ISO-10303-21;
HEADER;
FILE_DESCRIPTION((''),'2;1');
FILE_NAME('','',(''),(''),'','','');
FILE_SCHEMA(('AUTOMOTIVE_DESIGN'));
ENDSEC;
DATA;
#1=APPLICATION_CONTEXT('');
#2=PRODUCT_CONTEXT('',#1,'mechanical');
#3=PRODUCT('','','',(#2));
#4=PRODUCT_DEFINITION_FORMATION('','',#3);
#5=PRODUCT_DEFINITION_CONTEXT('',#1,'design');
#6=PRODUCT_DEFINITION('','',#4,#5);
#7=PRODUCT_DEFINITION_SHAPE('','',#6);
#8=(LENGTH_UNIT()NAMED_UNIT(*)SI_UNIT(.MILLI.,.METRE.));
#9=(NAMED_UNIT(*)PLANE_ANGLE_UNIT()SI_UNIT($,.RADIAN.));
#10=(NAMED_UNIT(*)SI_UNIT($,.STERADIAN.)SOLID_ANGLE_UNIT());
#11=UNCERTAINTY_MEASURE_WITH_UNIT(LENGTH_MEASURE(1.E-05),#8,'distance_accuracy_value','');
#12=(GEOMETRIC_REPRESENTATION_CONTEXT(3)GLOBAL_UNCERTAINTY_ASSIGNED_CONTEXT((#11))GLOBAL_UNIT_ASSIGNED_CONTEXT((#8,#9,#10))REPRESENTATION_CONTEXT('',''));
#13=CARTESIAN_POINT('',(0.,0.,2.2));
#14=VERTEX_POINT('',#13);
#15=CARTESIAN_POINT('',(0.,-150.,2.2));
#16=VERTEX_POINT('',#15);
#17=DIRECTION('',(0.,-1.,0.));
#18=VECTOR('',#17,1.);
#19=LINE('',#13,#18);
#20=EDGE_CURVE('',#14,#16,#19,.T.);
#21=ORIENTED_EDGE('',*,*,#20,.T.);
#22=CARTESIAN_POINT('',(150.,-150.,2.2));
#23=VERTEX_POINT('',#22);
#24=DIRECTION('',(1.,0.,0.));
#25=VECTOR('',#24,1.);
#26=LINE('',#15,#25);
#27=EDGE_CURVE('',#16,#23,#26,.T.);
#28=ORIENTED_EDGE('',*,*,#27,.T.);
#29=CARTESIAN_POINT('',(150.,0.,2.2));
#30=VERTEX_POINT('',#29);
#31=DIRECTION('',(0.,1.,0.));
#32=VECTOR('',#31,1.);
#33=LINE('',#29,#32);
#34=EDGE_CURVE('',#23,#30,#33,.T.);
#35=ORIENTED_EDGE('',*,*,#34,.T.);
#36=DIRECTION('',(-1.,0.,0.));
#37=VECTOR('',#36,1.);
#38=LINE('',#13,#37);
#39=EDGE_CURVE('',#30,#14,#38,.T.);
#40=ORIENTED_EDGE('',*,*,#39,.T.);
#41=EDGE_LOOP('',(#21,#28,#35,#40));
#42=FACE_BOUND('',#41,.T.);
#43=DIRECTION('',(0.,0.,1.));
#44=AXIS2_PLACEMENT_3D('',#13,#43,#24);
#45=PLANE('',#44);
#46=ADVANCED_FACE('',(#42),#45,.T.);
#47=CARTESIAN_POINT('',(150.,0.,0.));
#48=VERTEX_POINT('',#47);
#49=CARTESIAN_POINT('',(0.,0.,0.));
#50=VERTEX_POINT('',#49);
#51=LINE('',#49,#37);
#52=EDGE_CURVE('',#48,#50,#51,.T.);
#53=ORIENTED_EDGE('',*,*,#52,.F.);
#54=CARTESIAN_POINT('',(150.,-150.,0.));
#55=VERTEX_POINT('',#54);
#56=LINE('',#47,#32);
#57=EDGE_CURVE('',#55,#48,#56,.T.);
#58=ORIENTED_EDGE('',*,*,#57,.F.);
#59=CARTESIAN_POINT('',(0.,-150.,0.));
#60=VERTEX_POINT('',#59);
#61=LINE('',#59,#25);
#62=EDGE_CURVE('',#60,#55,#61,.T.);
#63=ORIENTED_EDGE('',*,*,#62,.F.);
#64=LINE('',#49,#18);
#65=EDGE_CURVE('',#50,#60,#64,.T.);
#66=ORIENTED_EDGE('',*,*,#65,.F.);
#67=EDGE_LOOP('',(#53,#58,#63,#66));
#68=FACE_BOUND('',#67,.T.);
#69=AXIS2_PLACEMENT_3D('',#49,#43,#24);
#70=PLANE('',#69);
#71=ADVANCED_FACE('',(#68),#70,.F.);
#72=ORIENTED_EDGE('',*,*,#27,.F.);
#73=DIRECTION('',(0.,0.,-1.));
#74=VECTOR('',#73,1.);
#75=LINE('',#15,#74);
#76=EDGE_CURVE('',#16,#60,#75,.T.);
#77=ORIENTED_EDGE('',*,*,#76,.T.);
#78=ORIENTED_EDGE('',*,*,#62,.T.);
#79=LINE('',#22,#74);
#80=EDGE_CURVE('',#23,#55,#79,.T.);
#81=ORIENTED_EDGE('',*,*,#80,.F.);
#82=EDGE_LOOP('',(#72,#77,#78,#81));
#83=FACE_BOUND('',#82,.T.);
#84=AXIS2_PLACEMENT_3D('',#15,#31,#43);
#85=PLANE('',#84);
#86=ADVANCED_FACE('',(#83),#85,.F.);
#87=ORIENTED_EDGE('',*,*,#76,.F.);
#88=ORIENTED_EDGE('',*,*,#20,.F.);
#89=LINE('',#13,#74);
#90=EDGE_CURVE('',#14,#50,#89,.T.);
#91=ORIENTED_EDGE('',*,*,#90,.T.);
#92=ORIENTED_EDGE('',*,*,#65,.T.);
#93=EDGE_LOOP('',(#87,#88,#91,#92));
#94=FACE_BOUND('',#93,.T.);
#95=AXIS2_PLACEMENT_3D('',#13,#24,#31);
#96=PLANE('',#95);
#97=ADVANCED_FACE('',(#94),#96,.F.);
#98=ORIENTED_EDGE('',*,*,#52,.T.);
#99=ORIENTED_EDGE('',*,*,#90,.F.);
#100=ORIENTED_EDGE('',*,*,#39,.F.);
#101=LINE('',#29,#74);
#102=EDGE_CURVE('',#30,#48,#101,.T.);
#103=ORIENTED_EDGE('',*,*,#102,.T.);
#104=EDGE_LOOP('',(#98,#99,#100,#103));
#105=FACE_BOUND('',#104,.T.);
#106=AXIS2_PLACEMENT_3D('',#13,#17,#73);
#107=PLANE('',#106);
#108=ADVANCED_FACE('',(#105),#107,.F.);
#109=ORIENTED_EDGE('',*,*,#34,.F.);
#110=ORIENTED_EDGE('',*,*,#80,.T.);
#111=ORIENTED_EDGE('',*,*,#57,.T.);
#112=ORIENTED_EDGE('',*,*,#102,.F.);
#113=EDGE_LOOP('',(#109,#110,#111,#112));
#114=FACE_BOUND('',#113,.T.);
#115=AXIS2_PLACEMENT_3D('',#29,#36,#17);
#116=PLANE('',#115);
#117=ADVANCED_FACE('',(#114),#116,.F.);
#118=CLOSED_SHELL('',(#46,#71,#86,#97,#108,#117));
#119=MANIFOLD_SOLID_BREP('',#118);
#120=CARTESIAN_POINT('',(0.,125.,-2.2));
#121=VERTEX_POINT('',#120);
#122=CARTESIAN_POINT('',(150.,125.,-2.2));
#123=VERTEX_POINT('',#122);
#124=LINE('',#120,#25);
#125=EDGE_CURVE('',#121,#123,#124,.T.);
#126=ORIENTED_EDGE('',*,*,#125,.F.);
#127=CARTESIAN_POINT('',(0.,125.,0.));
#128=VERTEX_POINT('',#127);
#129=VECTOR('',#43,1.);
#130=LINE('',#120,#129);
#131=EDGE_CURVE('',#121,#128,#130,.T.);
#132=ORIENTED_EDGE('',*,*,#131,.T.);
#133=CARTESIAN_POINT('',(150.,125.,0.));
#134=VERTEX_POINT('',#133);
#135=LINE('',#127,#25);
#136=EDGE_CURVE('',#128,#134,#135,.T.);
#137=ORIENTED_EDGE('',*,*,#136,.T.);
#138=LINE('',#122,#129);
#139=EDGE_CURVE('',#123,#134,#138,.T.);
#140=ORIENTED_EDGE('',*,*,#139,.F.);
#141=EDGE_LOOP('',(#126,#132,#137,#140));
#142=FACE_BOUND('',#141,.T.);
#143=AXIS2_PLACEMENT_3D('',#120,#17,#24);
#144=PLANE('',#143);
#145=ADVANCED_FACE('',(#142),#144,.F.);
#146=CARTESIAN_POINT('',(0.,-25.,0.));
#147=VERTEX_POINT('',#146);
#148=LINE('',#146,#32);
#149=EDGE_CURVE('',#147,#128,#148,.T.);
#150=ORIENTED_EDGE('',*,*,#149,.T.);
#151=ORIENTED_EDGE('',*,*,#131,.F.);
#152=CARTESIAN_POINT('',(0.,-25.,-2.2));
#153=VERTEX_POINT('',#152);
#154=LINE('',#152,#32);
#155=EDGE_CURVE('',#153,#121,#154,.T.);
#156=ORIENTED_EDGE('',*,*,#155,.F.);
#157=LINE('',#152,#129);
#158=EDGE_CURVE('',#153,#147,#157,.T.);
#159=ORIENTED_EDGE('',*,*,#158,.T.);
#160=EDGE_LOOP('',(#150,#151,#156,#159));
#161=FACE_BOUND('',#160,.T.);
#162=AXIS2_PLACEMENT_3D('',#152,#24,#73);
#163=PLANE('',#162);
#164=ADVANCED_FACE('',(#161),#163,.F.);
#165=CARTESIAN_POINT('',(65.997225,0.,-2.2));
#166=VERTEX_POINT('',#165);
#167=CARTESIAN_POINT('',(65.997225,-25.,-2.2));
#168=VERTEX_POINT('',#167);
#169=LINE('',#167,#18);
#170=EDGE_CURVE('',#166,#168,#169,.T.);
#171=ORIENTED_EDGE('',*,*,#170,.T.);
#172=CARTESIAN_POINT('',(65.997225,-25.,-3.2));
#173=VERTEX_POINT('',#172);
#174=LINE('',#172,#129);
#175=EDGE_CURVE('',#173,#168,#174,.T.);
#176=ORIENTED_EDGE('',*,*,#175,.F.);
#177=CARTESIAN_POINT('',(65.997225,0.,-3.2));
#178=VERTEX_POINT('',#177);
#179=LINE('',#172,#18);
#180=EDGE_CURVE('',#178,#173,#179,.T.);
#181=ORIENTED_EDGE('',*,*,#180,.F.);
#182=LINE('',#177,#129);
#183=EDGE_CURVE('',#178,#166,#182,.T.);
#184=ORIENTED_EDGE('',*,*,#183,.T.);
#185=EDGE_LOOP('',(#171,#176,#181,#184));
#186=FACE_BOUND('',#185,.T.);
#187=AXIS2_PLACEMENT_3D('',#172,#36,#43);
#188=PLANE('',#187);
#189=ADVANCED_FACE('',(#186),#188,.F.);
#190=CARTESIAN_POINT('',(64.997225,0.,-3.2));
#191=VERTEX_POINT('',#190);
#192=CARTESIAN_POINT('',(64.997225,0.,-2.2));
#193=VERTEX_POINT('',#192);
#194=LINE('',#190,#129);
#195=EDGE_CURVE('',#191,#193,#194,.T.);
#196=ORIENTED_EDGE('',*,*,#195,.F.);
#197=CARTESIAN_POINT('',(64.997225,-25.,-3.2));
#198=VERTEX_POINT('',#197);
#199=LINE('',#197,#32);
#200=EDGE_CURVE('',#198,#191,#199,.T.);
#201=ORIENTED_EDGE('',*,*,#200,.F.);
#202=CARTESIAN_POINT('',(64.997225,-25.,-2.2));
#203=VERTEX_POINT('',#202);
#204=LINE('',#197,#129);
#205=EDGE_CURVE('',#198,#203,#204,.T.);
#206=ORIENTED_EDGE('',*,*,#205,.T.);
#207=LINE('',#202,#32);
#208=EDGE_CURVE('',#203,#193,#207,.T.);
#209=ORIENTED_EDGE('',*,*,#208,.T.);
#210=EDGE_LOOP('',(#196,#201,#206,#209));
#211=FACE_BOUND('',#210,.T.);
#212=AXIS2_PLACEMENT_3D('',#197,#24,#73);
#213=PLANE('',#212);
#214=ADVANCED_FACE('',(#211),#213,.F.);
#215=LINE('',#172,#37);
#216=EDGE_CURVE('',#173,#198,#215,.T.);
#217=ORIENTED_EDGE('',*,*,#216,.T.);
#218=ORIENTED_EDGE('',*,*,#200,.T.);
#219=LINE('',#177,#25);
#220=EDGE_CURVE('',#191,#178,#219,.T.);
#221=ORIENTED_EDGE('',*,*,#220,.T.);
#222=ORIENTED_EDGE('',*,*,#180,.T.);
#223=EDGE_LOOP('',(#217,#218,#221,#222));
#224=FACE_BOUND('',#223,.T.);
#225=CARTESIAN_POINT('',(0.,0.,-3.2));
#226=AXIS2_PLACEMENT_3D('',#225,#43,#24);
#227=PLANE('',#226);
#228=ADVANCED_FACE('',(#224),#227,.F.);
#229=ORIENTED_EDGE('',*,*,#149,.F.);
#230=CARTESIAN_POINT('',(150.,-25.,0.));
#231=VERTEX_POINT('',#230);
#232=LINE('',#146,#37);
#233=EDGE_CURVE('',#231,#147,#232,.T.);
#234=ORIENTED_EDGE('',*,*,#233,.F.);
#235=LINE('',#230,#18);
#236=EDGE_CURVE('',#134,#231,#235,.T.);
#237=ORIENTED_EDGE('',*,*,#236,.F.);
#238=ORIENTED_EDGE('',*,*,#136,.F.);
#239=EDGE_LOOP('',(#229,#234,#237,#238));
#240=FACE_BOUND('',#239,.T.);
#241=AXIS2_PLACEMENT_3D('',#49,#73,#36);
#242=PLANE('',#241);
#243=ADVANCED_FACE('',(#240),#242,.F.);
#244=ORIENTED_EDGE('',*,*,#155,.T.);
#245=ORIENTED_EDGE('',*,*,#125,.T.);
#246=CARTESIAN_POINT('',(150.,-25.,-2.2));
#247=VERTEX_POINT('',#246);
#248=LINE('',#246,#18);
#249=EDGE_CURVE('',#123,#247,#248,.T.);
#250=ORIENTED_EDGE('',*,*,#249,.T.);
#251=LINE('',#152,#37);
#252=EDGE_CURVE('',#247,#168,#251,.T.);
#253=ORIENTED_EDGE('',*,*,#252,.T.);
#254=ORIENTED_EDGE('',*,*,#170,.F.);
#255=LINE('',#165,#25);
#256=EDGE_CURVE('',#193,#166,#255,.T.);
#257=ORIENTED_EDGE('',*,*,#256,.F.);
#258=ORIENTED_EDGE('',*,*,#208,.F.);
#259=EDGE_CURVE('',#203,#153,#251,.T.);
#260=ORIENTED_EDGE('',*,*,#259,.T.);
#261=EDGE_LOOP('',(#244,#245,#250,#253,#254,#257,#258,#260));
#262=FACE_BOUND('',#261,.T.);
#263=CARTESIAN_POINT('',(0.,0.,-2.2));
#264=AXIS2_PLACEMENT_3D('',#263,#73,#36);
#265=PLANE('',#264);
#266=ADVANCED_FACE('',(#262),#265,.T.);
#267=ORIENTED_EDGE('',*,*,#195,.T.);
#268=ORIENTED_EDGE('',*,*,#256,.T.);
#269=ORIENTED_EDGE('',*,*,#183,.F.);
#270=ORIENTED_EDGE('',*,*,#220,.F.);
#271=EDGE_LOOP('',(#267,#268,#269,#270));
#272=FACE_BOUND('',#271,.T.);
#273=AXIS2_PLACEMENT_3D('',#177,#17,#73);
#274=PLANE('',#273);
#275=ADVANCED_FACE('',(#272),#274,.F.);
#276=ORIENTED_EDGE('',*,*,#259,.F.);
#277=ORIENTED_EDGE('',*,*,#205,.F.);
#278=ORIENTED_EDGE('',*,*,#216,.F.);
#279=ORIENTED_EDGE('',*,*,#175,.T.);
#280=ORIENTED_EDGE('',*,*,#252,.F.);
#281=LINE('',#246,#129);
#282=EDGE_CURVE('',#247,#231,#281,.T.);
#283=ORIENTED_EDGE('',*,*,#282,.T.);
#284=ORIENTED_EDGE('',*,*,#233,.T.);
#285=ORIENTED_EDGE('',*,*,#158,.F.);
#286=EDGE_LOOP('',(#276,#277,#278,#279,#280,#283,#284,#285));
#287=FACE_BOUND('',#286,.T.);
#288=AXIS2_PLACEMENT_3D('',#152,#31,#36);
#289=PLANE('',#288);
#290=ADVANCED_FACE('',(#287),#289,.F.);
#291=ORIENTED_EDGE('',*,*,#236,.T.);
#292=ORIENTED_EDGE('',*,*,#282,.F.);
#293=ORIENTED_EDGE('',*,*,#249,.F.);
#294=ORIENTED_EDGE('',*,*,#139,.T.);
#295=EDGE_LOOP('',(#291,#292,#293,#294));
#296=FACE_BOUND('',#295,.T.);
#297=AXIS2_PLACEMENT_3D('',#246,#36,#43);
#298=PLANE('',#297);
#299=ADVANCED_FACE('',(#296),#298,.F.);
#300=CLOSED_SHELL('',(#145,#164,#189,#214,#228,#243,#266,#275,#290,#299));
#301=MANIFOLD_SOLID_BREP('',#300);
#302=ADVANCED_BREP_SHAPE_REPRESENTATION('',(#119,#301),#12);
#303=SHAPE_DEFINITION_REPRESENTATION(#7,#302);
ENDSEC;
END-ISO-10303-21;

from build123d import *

# Parameters (mm, degrees)
SKIZZE2_W                       = 150
SKIZZE2_H                       = 150
AUFSATZ_LINEAR_AUSTRAGEN1_DEPTH = 2.2
SKIZZE3_W                       = 150
SKIZZE3_H                       = 150
AUFSATZ_LINEAR_AUSTRAGEN3_DEPTH = 2.2
SKIZZE4_W                       = 1
SKIZZE4_H                       = 25
AUFSATZ_LINEAR_AUSTRAGEN4_DEPTH = 1


with BuildPart() as part:
    # Skizze2 → Aufsatz-Linear austragen1 (new body)
    with BuildSketch(Plane.XY):
        with Locations((75, -75)):
            Rectangle(SKIZZE2_W, SKIZZE2_H)
    extrude(amount=AUFSATZ_LINEAR_AUSTRAGEN1_DEPTH)


with BuildPart() as body_2:
    # Skizze3 → Aufsatz-Linear austragen3 (new body)
    with BuildSketch(Plane(origin=(0, 0, 0), x_dir=(-1, 0, 0), z_dir=(0, 0, -1))):
        with Locations((-75, 50)):
            Rectangle(SKIZZE3_W, SKIZZE3_H)
    extrude(amount=AUFSATZ_LINEAR_AUSTRAGEN3_DEPTH)

    # Skizze4 → Aufsatz-Linear austragen4 (add)
    with BuildSketch(Plane(origin=(0, 0, -2.2), x_dir=(-1, 0, 0), z_dir=(0, 0, -1))):
        with Locations((-65.497224617, -12.5)):
            Rectangle(SKIZZE4_W, SKIZZE4_H)
    extrude(amount=AUFSATZ_LINEAR_AUSTRAGEN4_DEPTH)


solid = Compound([part.part, body_2.part])
